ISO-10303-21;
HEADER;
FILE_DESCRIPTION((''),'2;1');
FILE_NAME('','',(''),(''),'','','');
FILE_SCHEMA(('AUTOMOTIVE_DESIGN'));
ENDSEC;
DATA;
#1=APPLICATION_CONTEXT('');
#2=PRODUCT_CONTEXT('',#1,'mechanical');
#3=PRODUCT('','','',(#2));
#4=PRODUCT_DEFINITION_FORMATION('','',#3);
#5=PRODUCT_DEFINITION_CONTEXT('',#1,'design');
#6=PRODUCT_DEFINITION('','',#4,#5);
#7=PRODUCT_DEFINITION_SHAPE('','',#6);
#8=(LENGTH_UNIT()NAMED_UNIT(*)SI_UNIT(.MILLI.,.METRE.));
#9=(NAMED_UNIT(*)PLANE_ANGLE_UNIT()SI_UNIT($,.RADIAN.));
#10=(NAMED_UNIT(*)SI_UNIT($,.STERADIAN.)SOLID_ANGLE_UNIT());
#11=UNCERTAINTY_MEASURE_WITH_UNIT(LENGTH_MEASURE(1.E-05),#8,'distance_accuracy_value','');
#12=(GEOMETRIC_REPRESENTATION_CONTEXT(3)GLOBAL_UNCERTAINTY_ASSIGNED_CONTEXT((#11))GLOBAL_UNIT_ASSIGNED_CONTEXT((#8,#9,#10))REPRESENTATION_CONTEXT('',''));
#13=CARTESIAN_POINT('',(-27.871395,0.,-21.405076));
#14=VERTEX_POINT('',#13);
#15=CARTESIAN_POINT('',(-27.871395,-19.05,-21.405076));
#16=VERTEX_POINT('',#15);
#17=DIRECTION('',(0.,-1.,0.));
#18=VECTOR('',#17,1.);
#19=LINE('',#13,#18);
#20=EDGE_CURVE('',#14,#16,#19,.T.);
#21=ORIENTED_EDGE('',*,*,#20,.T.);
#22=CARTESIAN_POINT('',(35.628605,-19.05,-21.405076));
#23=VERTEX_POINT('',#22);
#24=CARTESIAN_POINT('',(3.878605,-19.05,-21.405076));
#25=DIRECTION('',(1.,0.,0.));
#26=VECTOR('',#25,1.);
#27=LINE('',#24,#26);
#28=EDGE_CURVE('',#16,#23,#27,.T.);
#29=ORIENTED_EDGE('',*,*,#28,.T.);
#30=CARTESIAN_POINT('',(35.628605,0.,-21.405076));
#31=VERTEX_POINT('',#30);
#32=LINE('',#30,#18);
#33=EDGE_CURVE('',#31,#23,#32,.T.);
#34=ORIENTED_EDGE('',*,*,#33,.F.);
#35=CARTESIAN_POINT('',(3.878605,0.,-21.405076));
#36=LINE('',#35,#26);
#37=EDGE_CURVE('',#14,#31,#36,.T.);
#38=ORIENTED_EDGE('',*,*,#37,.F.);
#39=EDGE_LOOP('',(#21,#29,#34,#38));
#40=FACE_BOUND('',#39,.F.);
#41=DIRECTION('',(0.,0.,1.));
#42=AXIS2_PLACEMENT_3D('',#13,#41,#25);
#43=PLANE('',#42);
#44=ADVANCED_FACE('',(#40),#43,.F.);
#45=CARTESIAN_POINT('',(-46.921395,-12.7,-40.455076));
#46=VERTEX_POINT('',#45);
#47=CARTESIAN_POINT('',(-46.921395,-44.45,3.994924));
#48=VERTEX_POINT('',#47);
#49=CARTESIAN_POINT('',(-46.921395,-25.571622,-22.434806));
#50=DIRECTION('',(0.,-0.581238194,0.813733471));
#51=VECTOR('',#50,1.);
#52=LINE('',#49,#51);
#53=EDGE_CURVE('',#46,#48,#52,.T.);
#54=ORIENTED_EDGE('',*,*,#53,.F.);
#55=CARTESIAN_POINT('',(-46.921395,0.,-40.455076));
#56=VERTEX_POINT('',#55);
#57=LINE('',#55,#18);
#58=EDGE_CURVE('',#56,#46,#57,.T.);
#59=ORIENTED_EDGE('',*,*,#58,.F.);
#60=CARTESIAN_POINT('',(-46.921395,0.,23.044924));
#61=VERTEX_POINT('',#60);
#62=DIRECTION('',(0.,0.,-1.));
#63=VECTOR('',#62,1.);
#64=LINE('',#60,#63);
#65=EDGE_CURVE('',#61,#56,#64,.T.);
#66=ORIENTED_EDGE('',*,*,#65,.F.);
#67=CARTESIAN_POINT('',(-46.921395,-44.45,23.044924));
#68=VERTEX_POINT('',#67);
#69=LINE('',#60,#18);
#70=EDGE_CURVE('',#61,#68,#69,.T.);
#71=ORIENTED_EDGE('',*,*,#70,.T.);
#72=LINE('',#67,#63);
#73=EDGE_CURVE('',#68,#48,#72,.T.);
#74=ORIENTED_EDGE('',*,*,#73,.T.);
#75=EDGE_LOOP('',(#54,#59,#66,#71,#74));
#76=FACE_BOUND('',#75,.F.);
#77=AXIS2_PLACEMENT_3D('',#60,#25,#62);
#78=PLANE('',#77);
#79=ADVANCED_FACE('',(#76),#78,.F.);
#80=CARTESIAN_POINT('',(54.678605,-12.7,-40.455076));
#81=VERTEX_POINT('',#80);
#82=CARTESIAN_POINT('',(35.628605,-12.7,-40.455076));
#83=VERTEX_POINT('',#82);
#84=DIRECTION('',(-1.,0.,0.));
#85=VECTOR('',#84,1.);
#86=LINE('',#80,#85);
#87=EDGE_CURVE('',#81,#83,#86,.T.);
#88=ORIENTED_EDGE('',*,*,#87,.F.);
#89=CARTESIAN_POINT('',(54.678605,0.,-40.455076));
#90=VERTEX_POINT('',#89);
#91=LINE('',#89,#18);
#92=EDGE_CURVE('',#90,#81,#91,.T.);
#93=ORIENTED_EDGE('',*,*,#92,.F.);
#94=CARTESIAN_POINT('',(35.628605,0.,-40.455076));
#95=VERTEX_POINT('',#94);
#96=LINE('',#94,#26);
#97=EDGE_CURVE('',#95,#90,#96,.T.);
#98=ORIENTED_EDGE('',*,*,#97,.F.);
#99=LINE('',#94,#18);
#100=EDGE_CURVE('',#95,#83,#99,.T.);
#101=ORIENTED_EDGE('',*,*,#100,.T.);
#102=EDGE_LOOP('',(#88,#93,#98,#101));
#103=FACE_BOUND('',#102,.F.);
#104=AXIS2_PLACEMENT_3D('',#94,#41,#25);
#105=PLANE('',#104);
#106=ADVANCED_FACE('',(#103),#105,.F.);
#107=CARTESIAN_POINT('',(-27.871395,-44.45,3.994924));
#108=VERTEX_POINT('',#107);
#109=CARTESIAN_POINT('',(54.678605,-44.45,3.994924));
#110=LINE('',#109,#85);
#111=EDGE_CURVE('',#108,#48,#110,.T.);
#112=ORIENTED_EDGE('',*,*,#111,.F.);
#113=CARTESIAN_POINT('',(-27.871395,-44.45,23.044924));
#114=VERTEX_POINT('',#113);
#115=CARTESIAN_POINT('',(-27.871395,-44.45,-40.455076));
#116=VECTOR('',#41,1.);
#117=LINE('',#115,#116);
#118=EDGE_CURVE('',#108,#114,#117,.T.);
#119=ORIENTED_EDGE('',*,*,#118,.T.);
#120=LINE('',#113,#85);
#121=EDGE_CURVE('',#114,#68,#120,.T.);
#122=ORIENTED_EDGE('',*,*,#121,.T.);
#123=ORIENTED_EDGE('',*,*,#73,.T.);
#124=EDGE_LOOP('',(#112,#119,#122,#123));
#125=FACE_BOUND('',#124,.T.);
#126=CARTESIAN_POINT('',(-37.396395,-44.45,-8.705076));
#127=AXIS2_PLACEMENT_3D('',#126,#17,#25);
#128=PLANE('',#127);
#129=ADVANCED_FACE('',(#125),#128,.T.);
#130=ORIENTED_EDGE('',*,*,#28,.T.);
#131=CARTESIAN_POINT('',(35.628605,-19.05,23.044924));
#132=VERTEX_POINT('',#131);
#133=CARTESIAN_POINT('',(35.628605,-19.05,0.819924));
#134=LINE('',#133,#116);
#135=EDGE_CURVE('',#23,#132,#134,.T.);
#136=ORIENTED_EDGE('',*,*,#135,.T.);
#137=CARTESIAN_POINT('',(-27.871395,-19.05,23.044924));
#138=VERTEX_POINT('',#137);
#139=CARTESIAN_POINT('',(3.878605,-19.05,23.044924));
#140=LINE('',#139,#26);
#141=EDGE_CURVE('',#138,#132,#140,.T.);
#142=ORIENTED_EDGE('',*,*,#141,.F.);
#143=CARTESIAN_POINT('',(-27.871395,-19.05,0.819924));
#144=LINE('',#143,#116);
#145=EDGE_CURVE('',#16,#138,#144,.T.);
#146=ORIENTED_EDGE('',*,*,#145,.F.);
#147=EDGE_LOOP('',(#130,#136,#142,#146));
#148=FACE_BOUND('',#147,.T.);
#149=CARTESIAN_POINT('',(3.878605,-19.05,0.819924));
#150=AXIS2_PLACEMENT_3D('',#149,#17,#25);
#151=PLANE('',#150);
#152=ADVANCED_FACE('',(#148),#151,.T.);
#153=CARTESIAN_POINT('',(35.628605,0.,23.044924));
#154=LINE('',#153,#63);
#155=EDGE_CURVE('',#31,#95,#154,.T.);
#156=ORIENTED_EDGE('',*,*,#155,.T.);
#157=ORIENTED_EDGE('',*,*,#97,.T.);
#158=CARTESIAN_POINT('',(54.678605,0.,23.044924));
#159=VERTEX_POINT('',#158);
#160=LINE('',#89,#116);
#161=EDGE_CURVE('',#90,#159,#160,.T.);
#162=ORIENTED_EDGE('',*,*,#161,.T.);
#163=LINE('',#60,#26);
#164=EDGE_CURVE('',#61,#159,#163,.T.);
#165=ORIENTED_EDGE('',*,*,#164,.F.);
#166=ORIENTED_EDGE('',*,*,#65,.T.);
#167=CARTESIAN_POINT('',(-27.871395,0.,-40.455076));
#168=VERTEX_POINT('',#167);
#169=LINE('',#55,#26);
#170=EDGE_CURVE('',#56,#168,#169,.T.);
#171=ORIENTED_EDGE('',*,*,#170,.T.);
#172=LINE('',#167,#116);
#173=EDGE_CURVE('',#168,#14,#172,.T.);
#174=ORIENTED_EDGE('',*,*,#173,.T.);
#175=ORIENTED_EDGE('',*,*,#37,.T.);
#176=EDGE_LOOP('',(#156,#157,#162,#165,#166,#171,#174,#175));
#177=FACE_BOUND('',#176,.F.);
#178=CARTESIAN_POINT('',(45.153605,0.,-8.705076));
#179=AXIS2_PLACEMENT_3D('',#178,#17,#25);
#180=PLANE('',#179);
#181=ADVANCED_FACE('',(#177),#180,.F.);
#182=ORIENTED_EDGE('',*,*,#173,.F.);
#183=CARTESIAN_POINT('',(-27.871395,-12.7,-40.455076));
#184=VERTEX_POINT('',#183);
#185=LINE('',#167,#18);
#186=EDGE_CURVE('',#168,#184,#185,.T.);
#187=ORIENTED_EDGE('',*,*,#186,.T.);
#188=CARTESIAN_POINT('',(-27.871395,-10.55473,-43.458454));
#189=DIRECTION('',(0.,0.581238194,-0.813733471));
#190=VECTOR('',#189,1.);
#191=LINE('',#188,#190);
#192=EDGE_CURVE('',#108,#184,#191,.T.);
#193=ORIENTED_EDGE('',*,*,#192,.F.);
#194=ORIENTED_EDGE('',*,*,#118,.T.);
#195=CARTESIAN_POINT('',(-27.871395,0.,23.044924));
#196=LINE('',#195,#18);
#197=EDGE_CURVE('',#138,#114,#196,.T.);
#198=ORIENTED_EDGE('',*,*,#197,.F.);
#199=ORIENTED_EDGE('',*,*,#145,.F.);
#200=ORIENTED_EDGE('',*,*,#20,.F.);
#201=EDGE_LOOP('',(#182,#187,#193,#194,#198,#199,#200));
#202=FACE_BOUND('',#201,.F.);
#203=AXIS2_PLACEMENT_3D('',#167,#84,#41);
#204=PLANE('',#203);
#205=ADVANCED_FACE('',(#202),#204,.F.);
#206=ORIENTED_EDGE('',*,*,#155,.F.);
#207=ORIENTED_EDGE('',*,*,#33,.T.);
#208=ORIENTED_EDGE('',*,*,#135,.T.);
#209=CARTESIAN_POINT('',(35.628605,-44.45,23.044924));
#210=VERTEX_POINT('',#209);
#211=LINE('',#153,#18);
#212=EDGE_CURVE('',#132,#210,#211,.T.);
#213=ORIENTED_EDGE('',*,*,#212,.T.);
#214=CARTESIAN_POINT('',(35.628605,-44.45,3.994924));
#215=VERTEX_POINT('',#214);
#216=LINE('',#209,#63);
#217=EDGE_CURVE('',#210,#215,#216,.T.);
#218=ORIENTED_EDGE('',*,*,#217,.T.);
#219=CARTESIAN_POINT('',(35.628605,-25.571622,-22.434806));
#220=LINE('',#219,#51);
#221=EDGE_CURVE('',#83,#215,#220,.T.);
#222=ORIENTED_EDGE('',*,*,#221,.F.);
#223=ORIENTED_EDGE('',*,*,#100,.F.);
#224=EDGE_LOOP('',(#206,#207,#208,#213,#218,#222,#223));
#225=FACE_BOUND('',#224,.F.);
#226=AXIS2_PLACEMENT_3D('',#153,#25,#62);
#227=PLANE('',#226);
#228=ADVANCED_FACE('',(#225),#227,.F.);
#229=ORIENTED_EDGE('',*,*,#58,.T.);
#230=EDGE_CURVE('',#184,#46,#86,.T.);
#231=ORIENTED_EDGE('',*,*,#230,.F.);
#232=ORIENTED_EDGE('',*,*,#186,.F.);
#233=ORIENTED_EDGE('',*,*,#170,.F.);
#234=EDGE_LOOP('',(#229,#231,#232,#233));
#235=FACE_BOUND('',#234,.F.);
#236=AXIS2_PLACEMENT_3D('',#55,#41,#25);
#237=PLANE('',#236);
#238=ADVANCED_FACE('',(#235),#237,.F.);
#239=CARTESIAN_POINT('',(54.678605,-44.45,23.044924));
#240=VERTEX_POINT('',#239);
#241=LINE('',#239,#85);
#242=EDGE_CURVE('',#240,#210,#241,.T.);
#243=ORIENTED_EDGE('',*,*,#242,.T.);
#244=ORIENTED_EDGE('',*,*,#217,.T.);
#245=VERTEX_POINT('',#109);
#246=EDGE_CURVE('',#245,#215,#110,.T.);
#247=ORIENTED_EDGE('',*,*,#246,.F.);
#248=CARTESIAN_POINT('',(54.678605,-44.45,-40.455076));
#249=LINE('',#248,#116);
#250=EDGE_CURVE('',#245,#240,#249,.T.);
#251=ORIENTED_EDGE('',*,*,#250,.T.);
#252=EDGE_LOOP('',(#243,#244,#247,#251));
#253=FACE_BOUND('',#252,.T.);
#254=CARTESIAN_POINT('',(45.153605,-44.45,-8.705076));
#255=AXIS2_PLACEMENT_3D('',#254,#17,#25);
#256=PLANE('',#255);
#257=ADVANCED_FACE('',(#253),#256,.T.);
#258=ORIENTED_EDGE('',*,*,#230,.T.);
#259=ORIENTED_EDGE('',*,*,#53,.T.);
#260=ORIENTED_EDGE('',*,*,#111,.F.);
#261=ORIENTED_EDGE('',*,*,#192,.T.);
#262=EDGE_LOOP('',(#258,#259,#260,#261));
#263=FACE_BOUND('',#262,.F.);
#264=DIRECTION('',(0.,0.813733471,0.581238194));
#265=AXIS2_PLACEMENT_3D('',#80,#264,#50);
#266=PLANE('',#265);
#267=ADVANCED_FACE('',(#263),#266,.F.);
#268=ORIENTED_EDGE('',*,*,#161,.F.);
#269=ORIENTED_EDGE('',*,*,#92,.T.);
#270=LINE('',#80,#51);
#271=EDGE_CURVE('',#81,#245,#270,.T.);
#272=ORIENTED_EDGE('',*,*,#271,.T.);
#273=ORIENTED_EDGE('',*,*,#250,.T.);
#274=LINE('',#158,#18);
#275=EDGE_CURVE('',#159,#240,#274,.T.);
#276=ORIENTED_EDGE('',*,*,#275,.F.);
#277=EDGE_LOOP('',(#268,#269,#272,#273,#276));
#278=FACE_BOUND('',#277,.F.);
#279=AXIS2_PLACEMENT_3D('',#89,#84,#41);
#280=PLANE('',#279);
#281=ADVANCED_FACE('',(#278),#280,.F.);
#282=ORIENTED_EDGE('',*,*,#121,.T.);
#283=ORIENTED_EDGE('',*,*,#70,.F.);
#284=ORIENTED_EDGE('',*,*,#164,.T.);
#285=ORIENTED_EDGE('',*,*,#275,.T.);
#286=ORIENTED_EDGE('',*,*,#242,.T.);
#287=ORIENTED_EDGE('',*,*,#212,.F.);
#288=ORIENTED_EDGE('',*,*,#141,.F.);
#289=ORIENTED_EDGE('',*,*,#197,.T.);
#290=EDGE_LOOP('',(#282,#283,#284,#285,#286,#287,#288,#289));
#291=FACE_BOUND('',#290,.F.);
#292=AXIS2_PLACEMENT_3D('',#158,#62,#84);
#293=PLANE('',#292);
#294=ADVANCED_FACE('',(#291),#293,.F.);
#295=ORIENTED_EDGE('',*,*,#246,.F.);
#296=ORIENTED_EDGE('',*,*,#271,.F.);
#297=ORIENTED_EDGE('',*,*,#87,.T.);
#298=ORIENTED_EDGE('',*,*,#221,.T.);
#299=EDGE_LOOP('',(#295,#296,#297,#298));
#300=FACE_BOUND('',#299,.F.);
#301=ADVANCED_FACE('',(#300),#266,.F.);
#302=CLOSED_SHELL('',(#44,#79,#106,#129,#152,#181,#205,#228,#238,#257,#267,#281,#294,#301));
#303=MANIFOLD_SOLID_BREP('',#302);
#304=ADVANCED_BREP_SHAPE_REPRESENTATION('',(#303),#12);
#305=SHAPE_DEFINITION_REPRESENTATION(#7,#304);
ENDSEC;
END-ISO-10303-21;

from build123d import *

# Parameters (mm, degrees)
F0_W     = 63.5
F0_H     = 44.45
F1_DEPTH = 19.05
F2_DEPTH = 44.45
F4_DEPTH = 101.601


with BuildPart() as f1:
    # F0 (on Front) → F1 (new body)
    with BuildSketch(Plane.XZ):
        with Locations((3.878605, 0.819924)):
            Rectangle(F0_W, F0_H)
    extrude(amount=F1_DEPTH)

    # F0 (on Front) → F2 (join)
    with BuildSketch(Plane.XZ):
        Polygon((35.628605, 23.044924), (35.628605, -21.405076), (35.628605, -40.455076), (54.678605, -40.455076), (54.678605, 23.044924), align=None)
        Polygon((-46.921395, 23.044924), (-46.921395, -40.455076), (-27.871395, -40.455076), (-27.871395, -21.405076), (-27.871395, 23.044924), align=None)
    extrude(amount=F2_DEPTH)

    # F3 (on face) → F4 (cut, through all)
    with BuildSketch(Plane.YZ.offset(54.678605)):
        Polygon((-12.7, -40.455076), (-44.45, 3.994924), (-44.45, -40.455076), align=None)
    extrude(amount=-F4_DEPTH, mode=Mode.SUBTRACT)


solid = f1.part
